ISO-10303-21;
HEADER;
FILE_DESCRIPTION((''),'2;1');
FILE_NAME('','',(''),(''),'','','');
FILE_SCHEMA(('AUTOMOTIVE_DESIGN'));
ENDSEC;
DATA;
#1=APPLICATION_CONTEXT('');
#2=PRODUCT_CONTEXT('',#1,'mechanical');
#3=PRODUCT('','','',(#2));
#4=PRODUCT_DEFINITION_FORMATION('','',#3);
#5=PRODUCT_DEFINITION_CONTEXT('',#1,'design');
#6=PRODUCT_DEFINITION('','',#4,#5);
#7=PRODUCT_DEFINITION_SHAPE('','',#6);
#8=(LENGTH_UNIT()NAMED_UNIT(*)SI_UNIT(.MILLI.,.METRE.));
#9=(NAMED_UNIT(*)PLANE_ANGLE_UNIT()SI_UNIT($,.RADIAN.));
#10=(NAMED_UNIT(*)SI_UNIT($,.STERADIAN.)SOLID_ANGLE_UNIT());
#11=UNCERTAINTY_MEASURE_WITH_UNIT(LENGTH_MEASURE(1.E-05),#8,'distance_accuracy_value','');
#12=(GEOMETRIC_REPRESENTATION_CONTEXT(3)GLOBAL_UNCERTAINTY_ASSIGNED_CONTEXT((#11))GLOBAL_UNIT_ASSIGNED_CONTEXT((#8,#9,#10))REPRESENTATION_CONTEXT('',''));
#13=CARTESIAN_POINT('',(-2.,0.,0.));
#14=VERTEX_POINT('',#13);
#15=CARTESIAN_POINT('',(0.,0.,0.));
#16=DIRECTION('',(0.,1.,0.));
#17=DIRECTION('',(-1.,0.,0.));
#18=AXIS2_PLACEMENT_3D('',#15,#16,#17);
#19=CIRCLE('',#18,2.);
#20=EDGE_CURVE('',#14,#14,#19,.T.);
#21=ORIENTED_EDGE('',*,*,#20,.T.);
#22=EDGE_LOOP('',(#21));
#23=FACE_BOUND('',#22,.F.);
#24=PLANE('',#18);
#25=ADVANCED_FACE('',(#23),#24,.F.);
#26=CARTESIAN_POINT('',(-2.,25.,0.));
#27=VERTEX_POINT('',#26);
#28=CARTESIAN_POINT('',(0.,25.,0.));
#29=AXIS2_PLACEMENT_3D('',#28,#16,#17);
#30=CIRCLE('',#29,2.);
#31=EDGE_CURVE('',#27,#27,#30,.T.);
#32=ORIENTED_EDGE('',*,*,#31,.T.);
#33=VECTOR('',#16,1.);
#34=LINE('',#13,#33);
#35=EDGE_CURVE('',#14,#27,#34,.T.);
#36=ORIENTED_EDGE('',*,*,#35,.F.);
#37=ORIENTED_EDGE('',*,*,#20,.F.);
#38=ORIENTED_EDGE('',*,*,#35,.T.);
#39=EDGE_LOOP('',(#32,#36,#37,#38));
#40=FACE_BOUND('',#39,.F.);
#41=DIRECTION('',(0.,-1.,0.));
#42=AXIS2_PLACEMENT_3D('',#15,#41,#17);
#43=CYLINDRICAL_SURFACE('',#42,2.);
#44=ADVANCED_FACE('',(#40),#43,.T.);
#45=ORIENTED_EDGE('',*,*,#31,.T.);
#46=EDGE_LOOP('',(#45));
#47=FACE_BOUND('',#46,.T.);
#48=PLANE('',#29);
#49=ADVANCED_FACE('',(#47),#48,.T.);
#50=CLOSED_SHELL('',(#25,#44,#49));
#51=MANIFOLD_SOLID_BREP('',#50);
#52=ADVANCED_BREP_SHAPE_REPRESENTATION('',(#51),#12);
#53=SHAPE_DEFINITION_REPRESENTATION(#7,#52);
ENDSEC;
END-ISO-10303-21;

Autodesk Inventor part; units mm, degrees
ref_plane "YZ Plane" through (0, 0, 0) normal (1, 0, 0) x (0, 1, 0)
ref_plane "XZ Plane" through (0, 0, 0) normal (0, 1, 0) x (-1, 0, 0)
ref_plane "XY Plane" through (0, 0, 0) normal (0, 0, 1) x (1, 0, 0)
sketch "Sketch1" plane through (0, 0, 0) normal (0, 1, 0) x (-1, 0, 0)
  circle A0 centre (0, 0) radius 2
  dimension "d0" = 4
extrude "Extrusion1" add sketch "Sketch1" along normal blind 25
properties part number "Spina cilindrica4"
